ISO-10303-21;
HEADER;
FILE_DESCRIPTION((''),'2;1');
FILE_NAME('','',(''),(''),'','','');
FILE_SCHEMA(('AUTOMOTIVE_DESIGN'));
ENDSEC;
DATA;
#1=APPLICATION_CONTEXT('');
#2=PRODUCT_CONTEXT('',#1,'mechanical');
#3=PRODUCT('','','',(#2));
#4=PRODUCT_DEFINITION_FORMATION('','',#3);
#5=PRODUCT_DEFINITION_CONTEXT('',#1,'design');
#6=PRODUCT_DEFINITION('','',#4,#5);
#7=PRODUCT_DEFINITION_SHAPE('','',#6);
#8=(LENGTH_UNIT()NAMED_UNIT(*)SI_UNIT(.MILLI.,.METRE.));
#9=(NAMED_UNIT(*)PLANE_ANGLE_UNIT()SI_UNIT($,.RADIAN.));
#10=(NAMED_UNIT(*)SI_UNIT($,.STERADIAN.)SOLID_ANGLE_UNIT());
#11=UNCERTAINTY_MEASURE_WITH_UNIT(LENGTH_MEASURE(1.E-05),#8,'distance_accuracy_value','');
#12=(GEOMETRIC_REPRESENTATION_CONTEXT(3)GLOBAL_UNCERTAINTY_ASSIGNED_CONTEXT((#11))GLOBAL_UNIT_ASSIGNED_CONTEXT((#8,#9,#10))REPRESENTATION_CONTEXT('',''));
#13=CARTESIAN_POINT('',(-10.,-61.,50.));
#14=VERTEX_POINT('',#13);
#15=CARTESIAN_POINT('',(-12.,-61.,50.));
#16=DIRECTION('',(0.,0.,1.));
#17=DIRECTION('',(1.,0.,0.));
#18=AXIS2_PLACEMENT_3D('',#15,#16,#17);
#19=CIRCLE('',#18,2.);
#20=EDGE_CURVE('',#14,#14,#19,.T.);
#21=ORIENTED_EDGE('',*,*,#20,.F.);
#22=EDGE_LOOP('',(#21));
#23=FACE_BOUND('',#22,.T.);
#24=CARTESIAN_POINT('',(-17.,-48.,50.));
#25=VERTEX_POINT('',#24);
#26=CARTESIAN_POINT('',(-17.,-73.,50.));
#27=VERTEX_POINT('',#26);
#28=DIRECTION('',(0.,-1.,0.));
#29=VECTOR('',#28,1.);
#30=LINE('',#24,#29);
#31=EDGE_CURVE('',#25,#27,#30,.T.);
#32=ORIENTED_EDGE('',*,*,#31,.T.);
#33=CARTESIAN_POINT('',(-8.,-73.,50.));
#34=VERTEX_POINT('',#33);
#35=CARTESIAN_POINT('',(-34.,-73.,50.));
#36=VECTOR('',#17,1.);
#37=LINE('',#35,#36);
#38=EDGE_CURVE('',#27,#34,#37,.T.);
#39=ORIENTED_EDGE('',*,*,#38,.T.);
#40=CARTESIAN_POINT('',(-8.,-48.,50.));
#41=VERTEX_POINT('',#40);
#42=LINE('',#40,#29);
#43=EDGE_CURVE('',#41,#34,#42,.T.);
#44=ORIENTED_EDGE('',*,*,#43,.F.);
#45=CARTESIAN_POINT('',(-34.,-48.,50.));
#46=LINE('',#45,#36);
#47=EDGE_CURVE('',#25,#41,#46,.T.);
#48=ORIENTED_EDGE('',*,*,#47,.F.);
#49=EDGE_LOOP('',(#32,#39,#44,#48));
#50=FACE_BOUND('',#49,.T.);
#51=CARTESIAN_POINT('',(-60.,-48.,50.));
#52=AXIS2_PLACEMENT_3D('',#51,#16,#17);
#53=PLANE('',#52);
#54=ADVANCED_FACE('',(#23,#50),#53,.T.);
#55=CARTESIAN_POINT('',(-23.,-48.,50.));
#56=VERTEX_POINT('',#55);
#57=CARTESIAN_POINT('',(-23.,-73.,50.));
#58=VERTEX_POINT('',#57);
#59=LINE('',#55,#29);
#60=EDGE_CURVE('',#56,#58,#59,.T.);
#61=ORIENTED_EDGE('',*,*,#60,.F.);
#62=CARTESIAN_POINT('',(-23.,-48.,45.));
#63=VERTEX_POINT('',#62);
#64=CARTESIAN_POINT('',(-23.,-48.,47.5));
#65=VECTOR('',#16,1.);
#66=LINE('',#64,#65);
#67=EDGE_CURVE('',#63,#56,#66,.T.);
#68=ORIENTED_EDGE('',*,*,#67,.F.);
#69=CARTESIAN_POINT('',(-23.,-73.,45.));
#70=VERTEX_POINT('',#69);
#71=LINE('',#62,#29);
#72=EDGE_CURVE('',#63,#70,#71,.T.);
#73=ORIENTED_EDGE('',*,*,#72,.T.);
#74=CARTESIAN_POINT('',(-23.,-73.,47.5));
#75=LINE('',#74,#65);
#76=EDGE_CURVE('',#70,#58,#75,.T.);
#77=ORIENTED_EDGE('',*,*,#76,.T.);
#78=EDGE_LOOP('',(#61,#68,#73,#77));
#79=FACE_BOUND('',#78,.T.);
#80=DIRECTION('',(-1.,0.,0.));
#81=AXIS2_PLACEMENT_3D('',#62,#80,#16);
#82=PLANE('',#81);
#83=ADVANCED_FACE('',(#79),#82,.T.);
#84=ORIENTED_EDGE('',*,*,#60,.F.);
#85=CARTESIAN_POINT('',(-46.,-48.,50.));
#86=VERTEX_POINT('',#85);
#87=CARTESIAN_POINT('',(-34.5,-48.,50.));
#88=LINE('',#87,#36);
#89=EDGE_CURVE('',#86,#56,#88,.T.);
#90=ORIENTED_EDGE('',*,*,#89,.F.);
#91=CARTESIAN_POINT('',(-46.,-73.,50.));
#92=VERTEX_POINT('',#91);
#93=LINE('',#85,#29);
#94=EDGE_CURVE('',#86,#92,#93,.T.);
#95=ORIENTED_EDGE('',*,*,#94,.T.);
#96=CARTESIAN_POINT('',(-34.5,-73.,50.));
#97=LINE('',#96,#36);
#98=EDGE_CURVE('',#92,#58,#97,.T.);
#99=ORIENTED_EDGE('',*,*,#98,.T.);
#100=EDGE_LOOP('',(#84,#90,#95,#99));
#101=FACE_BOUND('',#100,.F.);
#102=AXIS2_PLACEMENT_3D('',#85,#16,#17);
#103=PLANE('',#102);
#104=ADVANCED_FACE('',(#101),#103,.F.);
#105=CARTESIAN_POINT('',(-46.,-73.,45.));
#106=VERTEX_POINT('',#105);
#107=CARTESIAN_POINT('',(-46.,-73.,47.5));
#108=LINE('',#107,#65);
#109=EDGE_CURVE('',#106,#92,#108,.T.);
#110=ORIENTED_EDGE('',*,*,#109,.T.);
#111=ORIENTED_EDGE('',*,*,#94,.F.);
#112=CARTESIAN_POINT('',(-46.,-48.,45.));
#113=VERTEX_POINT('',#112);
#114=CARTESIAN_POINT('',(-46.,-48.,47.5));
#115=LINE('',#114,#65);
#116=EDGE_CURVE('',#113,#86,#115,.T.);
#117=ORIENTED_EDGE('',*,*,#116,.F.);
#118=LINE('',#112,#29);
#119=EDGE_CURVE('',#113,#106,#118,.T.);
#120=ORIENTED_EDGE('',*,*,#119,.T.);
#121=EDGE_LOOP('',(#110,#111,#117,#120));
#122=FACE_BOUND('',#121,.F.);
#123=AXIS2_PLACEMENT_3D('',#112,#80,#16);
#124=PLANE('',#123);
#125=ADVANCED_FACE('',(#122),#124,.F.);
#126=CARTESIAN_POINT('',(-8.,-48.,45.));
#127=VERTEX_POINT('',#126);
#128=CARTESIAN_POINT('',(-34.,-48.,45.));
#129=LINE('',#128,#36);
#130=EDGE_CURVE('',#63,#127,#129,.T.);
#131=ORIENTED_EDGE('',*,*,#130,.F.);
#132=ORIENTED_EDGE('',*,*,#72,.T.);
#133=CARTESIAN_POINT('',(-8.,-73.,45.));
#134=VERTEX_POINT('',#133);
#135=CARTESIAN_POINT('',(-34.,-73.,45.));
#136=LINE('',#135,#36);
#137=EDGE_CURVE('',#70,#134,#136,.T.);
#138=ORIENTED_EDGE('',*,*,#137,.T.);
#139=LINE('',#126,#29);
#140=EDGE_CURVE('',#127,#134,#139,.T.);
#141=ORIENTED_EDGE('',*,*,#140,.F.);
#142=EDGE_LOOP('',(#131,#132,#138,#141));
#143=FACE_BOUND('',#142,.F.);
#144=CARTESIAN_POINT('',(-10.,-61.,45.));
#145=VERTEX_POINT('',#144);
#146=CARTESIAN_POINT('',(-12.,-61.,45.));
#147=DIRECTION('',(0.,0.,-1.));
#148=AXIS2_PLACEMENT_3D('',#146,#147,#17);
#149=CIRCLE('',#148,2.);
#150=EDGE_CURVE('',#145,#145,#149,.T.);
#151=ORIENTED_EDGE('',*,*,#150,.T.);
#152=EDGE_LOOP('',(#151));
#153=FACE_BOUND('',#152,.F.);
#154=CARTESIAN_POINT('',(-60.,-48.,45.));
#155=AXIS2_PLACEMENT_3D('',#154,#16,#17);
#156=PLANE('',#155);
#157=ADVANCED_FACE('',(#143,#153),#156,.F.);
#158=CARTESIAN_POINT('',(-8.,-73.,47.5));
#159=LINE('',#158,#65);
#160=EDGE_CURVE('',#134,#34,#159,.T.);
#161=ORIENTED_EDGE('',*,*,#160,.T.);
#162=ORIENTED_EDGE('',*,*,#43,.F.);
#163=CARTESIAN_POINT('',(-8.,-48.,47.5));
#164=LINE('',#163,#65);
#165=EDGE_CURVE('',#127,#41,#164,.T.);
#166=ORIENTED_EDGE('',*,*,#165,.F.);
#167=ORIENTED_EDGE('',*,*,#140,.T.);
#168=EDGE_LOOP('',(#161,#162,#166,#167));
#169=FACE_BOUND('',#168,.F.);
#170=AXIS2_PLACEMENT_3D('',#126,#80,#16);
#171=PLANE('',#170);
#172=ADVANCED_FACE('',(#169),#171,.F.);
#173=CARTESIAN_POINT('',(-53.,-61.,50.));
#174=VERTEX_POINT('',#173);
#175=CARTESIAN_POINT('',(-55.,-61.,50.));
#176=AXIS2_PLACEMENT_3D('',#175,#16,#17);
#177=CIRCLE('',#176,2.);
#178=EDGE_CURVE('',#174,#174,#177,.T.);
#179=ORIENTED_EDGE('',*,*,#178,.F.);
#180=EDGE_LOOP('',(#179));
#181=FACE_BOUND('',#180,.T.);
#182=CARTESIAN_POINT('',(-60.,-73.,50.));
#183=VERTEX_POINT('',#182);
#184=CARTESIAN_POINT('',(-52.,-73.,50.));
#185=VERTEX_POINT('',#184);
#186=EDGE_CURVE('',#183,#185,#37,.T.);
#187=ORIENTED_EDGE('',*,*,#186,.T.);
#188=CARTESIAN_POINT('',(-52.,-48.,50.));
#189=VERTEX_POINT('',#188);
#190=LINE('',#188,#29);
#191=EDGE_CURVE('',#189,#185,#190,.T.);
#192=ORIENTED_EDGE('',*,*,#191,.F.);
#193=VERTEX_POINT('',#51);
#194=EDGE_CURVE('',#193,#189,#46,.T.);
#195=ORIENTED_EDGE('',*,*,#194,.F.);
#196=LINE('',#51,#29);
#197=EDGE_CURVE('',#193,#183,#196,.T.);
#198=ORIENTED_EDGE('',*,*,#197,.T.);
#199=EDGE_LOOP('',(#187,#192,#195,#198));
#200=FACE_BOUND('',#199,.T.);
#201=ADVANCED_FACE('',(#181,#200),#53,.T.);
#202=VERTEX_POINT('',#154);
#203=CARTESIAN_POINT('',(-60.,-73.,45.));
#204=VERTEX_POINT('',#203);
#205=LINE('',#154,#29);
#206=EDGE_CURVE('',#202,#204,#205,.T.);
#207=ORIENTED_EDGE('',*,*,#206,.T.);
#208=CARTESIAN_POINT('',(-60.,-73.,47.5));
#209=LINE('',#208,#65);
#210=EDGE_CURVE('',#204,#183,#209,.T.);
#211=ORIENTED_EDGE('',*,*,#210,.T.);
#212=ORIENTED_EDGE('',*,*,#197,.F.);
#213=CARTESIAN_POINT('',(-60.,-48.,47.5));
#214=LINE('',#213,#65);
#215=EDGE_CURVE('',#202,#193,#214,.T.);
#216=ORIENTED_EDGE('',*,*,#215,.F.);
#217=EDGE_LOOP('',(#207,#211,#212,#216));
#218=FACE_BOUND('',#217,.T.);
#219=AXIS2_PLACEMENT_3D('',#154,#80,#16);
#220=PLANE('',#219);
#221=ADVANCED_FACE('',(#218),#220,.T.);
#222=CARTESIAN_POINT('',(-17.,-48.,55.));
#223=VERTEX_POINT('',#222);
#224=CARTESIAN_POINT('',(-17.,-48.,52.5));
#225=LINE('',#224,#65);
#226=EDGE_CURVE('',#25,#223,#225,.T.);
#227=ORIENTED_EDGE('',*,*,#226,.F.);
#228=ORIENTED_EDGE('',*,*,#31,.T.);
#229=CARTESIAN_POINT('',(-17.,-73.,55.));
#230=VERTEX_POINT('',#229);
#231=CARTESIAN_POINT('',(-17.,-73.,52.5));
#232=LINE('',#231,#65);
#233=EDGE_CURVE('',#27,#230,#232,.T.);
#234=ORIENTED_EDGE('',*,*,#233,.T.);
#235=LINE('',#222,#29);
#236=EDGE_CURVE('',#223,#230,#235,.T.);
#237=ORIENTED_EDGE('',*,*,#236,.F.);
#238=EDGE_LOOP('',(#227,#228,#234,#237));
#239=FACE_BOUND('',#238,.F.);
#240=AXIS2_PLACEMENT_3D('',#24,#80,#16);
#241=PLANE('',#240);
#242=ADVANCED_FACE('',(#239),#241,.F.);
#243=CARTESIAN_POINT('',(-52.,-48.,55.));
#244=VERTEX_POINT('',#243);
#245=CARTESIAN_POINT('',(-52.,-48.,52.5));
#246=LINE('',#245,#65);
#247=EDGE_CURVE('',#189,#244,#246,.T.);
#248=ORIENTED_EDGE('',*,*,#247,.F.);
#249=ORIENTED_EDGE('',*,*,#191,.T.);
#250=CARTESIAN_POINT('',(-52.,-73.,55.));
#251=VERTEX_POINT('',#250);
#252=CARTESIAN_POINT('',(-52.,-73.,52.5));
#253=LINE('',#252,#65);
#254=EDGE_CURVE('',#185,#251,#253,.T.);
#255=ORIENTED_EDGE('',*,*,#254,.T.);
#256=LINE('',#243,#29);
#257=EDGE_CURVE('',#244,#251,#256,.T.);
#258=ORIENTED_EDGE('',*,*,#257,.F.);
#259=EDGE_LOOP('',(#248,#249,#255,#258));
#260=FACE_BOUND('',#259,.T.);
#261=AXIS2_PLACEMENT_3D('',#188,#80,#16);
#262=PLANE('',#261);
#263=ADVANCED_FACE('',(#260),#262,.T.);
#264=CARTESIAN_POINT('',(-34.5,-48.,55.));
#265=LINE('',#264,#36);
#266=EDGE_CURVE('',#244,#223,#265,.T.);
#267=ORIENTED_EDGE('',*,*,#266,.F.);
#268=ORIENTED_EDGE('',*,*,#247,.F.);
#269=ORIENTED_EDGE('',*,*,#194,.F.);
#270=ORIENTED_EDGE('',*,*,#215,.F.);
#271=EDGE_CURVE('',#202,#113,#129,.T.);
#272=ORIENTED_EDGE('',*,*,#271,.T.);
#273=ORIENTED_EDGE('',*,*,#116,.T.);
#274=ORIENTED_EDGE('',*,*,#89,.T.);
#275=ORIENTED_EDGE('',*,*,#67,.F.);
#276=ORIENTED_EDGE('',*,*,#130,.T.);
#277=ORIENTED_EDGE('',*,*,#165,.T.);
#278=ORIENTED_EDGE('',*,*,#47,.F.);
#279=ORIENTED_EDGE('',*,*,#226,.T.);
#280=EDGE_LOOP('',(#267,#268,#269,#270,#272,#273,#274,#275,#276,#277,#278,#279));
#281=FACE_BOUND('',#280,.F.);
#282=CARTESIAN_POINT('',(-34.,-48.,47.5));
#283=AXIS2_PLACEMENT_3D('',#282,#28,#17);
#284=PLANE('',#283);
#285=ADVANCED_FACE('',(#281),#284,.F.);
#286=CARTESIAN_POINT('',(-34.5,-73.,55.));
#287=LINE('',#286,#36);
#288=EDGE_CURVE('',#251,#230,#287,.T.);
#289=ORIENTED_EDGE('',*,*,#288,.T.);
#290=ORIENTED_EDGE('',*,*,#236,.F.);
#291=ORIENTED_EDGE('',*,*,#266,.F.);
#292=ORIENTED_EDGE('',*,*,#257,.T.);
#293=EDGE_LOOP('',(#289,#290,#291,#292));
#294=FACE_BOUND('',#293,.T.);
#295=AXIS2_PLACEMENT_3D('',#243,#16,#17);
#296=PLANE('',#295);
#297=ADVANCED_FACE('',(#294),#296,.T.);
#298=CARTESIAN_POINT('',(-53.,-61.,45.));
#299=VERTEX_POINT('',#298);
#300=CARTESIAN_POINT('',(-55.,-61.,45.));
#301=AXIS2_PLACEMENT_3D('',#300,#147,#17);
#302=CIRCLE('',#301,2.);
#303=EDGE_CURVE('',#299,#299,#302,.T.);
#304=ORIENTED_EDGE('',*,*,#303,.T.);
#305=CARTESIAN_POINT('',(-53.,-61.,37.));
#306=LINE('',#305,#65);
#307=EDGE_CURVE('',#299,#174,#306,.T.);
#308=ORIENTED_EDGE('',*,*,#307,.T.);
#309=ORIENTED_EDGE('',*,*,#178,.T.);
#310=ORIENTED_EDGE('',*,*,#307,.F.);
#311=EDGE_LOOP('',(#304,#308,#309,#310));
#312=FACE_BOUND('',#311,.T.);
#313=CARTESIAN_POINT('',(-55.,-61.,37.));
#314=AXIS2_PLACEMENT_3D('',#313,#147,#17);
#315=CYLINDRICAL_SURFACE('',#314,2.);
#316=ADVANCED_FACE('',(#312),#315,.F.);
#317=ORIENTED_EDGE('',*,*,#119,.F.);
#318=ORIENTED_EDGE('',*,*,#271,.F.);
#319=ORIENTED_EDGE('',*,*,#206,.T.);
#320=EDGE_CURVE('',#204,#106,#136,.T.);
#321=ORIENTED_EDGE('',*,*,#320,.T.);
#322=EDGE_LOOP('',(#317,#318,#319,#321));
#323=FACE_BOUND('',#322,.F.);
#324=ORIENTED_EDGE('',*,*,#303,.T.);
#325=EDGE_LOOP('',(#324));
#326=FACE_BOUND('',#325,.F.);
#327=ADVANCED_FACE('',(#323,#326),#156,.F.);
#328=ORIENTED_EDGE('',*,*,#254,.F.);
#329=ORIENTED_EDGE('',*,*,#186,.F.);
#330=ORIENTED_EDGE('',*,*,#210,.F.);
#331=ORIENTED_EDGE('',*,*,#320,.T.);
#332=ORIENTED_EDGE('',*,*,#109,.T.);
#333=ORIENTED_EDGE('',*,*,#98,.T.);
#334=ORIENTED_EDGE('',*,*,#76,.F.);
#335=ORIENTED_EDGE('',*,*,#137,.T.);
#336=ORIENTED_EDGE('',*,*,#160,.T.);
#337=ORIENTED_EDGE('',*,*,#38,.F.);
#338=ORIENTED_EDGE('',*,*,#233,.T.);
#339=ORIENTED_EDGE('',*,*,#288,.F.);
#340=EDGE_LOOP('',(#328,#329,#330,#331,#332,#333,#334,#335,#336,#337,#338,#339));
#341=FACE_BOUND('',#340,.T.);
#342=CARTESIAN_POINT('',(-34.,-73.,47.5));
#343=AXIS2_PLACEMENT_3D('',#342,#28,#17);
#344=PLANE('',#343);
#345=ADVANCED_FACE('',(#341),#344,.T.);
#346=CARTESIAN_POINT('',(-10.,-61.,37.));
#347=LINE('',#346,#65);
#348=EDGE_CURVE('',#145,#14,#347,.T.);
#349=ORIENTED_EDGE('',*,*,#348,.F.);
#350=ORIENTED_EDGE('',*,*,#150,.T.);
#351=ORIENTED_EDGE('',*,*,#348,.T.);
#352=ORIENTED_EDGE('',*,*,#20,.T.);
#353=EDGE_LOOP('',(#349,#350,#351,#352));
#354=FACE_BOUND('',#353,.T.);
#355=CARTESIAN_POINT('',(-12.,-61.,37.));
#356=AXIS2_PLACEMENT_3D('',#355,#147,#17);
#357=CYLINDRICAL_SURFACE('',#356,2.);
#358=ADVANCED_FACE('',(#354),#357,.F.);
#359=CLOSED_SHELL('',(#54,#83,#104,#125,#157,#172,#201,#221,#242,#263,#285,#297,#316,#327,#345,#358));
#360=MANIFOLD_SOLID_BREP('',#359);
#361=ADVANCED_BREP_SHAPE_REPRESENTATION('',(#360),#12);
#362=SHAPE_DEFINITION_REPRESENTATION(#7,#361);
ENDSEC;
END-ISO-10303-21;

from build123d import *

# Parameters (mm, degrees)
CYLINDER188_R          = 2
CYLINDER188_DEPTH      = 13
CYLINDER187_R          = 2
CYLINDER187_DEPTH      = 13
BOX321_W               = 23
BOX321_H               = 5
BOX321_DEPTH           = 25
BOX098_W               = 35
BOX098_H               = 5
BOX098_DEPTH           = 25
BOX097_W               = 52
BOX097_H               = 5
BOX097_DEPTH           = 25
CUT144_PLACEMENT_ANGLE = 90


with BuildPart() as cylinder188:
    # Cylinder188 → Cylinder188 (new body)
    with BuildSketch(Plane(origin=(-12, -69, -5), x_dir=(1, 0, 0), z_dir=(0, 0, 1))):
        Circle(CYLINDER188_R)
    extrude(amount=CYLINDER188_DEPTH)


with BuildPart() as cylinder187:
    # Cylinder187 → Cylinder187 (new body)
    with BuildSketch(Plane(origin=(-55, -69, -5), x_dir=(1, 0, 0), z_dir=(0, 0, 1))):
        Circle(CYLINDER187_R)
    extrude(amount=CYLINDER187_DEPTH)


with BuildPart() as box321:
    # Box321 → Box321 (new body)
    with BuildSketch(Plane(origin=(-46, -93, 16), x_dir=(1, 0, 0), z_dir=(0, 0, 1))):
        with Locations((11.5, 2.5)):
            Rectangle(BOX321_W, BOX321_H)
    extrude(amount=BOX321_DEPTH)


with BuildPart() as box098:
    # Box098 → Box098 (new body)
    with BuildSketch(Plane(origin=(-52, -88, 16), x_dir=(1, 0, 0), z_dir=(0, 0, 1))):
        with Locations((17.5, 2.5)):
            Rectangle(BOX098_W, BOX098_H)
    extrude(amount=BOX098_DEPTH)


with BuildPart() as cut148:
    # Box097 → Box097 (new body)
    with BuildSketch(Plane(origin=(-60, -93, 16), x_dir=(1, 0, 0), z_dir=(0, 0, 1))):
        with Locations((26, 2.5)):
            Rectangle(BOX097_W, BOX097_H)
    extrude(amount=BOX097_DEPTH)

    # Fusion: union Box098
    add(box098.part)

    # Cut144: cut Box321
    add(box321.part, mode=Mode.SUBTRACT)


with BuildPart() as cut148_1:
    # Cut144 placement: moved
    add(cut148.part.moved(Location((0, -40, 96))).rotate(Axis((0, -40, 96), (1, 0, 0)), CUT144_PLACEMENT_ANGLE))

    # Cut147: cut Cylinder187
    add(cylinder187.part, mode=Mode.SUBTRACT)

    # Cut148: cut Cylinder188
    add(cylinder188.part, mode=Mode.SUBTRACT)


with BuildPart() as cut148_2:
    # Cut148 placement: moved
    add(cut148_1.part.moved(Location((0, 8, 42))))


solid = cut148_2.part
